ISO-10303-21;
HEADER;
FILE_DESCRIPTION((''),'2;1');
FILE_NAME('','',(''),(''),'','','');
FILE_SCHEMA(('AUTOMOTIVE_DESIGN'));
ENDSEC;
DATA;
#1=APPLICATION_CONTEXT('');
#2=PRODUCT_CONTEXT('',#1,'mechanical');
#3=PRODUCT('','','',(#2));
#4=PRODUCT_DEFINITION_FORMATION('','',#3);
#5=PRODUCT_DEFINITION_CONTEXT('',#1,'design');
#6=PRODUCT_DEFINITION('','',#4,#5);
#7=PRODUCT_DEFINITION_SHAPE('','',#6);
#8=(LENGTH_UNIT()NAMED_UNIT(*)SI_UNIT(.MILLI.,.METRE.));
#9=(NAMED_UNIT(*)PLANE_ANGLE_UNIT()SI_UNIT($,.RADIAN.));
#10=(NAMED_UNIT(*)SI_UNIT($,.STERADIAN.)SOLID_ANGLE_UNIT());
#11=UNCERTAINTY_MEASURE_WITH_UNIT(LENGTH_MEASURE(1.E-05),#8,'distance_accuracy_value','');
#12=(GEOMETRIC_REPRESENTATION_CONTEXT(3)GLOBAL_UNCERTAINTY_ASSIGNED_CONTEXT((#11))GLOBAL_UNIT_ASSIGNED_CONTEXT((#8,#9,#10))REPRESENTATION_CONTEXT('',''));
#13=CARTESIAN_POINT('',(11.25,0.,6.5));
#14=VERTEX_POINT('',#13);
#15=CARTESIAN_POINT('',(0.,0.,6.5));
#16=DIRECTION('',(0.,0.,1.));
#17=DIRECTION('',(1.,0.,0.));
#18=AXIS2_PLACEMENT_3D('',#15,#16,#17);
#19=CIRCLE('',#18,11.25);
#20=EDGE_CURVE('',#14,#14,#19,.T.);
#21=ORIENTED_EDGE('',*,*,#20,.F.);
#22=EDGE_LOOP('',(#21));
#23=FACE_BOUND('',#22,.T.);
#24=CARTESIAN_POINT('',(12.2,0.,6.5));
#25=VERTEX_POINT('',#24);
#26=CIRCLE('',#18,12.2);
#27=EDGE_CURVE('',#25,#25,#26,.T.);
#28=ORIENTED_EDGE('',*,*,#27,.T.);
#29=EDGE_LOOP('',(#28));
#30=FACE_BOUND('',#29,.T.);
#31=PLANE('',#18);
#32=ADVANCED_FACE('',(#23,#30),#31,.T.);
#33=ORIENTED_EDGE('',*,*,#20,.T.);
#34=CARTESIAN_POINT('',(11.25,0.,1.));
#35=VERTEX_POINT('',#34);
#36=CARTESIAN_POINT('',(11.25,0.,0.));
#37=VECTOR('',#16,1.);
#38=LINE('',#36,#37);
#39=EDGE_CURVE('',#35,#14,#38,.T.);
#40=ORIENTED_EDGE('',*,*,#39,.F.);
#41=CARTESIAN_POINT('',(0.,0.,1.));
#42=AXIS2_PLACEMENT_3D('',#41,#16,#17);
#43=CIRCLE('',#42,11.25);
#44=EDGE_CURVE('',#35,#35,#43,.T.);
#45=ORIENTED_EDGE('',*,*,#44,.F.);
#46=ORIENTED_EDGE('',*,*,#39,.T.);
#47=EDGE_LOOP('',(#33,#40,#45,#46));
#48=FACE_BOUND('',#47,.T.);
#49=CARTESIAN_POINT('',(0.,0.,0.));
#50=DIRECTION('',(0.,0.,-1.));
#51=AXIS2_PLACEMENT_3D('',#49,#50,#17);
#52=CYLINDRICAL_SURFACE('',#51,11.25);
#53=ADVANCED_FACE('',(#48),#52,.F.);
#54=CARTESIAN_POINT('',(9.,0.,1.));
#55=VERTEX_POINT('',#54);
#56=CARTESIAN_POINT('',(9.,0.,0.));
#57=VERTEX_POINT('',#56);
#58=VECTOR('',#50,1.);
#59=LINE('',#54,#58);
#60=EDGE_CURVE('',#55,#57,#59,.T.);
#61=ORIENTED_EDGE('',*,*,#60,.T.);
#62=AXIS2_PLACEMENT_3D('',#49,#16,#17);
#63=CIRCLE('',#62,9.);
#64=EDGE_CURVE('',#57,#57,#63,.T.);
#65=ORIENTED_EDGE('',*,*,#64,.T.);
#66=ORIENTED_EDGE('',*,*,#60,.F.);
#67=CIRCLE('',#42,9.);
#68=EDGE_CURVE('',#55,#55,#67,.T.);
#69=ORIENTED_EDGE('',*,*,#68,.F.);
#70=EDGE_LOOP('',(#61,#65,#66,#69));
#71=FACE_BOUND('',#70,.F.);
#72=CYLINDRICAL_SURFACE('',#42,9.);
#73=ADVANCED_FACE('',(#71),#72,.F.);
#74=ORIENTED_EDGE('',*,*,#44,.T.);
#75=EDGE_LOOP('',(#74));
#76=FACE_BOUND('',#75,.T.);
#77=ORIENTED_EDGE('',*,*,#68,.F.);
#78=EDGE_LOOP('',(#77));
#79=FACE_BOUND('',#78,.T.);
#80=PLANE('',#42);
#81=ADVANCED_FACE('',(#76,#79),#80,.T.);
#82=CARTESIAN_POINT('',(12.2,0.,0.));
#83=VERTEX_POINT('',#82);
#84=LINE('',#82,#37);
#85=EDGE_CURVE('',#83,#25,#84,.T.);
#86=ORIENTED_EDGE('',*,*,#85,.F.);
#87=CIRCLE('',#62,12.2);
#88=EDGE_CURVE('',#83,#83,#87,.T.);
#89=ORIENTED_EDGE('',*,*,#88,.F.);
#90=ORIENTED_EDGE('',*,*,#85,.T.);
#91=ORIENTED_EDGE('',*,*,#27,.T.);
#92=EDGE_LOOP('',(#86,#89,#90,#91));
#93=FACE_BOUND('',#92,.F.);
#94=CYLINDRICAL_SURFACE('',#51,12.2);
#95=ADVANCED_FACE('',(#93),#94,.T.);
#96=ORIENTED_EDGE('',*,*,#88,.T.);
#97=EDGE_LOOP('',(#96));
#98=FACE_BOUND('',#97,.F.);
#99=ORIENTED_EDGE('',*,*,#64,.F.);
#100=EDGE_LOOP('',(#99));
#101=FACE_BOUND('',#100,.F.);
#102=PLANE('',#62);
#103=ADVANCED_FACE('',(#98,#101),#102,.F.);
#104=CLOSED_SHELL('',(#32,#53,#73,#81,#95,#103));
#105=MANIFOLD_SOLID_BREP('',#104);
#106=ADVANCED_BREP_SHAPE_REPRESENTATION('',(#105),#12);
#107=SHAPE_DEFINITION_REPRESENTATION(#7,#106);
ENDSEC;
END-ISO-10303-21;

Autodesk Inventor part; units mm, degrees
ref_plane "YZ Plane" through (0, 0, 0) normal (1, 0, 0) x (0, 1, 0)
ref_plane "XZ Plane" through (0, 0, 0) normal (0, 1, 0) x (-1, 0, 0)
ref_plane "XY Plane" through (0, 0, 0) normal (0, 0, 1) x (1, 0, 0)
sketch "Sketch1" plane through (0, 0, 0) normal (0, 0, 1) x (1, 0, 0)
  circle A0 centre (0, 0) radius 11.25
  circle A1 centre (0, 0) radius 12.2
  dimension "d0" = 22.5
  dimension "d1" = 24.4
extrude "Extrusion1" add sketch "Sketch1" along normal blind 6.5
sketch "Sketch2" plane through (0, 0, 0) normal (0, 0, 1) x (1, 0, 0)
  circle A0 centre (0, 0) radius 11.25
  dimension "d4" = 22.5
extrude "Extrusion2" add sketch "Sketch2" along normal blind 1
sketch "Sketch3" plane through (0, 0, 1) normal (0, 0, 1) x (1, 0, 0)
  circle A0 centre (0, 0) radius 9
  dimension "d7" = 18
extrude "Extrusion3" cut sketch "Sketch3" against normal blind 1
properties part number "HubTest22mm"
